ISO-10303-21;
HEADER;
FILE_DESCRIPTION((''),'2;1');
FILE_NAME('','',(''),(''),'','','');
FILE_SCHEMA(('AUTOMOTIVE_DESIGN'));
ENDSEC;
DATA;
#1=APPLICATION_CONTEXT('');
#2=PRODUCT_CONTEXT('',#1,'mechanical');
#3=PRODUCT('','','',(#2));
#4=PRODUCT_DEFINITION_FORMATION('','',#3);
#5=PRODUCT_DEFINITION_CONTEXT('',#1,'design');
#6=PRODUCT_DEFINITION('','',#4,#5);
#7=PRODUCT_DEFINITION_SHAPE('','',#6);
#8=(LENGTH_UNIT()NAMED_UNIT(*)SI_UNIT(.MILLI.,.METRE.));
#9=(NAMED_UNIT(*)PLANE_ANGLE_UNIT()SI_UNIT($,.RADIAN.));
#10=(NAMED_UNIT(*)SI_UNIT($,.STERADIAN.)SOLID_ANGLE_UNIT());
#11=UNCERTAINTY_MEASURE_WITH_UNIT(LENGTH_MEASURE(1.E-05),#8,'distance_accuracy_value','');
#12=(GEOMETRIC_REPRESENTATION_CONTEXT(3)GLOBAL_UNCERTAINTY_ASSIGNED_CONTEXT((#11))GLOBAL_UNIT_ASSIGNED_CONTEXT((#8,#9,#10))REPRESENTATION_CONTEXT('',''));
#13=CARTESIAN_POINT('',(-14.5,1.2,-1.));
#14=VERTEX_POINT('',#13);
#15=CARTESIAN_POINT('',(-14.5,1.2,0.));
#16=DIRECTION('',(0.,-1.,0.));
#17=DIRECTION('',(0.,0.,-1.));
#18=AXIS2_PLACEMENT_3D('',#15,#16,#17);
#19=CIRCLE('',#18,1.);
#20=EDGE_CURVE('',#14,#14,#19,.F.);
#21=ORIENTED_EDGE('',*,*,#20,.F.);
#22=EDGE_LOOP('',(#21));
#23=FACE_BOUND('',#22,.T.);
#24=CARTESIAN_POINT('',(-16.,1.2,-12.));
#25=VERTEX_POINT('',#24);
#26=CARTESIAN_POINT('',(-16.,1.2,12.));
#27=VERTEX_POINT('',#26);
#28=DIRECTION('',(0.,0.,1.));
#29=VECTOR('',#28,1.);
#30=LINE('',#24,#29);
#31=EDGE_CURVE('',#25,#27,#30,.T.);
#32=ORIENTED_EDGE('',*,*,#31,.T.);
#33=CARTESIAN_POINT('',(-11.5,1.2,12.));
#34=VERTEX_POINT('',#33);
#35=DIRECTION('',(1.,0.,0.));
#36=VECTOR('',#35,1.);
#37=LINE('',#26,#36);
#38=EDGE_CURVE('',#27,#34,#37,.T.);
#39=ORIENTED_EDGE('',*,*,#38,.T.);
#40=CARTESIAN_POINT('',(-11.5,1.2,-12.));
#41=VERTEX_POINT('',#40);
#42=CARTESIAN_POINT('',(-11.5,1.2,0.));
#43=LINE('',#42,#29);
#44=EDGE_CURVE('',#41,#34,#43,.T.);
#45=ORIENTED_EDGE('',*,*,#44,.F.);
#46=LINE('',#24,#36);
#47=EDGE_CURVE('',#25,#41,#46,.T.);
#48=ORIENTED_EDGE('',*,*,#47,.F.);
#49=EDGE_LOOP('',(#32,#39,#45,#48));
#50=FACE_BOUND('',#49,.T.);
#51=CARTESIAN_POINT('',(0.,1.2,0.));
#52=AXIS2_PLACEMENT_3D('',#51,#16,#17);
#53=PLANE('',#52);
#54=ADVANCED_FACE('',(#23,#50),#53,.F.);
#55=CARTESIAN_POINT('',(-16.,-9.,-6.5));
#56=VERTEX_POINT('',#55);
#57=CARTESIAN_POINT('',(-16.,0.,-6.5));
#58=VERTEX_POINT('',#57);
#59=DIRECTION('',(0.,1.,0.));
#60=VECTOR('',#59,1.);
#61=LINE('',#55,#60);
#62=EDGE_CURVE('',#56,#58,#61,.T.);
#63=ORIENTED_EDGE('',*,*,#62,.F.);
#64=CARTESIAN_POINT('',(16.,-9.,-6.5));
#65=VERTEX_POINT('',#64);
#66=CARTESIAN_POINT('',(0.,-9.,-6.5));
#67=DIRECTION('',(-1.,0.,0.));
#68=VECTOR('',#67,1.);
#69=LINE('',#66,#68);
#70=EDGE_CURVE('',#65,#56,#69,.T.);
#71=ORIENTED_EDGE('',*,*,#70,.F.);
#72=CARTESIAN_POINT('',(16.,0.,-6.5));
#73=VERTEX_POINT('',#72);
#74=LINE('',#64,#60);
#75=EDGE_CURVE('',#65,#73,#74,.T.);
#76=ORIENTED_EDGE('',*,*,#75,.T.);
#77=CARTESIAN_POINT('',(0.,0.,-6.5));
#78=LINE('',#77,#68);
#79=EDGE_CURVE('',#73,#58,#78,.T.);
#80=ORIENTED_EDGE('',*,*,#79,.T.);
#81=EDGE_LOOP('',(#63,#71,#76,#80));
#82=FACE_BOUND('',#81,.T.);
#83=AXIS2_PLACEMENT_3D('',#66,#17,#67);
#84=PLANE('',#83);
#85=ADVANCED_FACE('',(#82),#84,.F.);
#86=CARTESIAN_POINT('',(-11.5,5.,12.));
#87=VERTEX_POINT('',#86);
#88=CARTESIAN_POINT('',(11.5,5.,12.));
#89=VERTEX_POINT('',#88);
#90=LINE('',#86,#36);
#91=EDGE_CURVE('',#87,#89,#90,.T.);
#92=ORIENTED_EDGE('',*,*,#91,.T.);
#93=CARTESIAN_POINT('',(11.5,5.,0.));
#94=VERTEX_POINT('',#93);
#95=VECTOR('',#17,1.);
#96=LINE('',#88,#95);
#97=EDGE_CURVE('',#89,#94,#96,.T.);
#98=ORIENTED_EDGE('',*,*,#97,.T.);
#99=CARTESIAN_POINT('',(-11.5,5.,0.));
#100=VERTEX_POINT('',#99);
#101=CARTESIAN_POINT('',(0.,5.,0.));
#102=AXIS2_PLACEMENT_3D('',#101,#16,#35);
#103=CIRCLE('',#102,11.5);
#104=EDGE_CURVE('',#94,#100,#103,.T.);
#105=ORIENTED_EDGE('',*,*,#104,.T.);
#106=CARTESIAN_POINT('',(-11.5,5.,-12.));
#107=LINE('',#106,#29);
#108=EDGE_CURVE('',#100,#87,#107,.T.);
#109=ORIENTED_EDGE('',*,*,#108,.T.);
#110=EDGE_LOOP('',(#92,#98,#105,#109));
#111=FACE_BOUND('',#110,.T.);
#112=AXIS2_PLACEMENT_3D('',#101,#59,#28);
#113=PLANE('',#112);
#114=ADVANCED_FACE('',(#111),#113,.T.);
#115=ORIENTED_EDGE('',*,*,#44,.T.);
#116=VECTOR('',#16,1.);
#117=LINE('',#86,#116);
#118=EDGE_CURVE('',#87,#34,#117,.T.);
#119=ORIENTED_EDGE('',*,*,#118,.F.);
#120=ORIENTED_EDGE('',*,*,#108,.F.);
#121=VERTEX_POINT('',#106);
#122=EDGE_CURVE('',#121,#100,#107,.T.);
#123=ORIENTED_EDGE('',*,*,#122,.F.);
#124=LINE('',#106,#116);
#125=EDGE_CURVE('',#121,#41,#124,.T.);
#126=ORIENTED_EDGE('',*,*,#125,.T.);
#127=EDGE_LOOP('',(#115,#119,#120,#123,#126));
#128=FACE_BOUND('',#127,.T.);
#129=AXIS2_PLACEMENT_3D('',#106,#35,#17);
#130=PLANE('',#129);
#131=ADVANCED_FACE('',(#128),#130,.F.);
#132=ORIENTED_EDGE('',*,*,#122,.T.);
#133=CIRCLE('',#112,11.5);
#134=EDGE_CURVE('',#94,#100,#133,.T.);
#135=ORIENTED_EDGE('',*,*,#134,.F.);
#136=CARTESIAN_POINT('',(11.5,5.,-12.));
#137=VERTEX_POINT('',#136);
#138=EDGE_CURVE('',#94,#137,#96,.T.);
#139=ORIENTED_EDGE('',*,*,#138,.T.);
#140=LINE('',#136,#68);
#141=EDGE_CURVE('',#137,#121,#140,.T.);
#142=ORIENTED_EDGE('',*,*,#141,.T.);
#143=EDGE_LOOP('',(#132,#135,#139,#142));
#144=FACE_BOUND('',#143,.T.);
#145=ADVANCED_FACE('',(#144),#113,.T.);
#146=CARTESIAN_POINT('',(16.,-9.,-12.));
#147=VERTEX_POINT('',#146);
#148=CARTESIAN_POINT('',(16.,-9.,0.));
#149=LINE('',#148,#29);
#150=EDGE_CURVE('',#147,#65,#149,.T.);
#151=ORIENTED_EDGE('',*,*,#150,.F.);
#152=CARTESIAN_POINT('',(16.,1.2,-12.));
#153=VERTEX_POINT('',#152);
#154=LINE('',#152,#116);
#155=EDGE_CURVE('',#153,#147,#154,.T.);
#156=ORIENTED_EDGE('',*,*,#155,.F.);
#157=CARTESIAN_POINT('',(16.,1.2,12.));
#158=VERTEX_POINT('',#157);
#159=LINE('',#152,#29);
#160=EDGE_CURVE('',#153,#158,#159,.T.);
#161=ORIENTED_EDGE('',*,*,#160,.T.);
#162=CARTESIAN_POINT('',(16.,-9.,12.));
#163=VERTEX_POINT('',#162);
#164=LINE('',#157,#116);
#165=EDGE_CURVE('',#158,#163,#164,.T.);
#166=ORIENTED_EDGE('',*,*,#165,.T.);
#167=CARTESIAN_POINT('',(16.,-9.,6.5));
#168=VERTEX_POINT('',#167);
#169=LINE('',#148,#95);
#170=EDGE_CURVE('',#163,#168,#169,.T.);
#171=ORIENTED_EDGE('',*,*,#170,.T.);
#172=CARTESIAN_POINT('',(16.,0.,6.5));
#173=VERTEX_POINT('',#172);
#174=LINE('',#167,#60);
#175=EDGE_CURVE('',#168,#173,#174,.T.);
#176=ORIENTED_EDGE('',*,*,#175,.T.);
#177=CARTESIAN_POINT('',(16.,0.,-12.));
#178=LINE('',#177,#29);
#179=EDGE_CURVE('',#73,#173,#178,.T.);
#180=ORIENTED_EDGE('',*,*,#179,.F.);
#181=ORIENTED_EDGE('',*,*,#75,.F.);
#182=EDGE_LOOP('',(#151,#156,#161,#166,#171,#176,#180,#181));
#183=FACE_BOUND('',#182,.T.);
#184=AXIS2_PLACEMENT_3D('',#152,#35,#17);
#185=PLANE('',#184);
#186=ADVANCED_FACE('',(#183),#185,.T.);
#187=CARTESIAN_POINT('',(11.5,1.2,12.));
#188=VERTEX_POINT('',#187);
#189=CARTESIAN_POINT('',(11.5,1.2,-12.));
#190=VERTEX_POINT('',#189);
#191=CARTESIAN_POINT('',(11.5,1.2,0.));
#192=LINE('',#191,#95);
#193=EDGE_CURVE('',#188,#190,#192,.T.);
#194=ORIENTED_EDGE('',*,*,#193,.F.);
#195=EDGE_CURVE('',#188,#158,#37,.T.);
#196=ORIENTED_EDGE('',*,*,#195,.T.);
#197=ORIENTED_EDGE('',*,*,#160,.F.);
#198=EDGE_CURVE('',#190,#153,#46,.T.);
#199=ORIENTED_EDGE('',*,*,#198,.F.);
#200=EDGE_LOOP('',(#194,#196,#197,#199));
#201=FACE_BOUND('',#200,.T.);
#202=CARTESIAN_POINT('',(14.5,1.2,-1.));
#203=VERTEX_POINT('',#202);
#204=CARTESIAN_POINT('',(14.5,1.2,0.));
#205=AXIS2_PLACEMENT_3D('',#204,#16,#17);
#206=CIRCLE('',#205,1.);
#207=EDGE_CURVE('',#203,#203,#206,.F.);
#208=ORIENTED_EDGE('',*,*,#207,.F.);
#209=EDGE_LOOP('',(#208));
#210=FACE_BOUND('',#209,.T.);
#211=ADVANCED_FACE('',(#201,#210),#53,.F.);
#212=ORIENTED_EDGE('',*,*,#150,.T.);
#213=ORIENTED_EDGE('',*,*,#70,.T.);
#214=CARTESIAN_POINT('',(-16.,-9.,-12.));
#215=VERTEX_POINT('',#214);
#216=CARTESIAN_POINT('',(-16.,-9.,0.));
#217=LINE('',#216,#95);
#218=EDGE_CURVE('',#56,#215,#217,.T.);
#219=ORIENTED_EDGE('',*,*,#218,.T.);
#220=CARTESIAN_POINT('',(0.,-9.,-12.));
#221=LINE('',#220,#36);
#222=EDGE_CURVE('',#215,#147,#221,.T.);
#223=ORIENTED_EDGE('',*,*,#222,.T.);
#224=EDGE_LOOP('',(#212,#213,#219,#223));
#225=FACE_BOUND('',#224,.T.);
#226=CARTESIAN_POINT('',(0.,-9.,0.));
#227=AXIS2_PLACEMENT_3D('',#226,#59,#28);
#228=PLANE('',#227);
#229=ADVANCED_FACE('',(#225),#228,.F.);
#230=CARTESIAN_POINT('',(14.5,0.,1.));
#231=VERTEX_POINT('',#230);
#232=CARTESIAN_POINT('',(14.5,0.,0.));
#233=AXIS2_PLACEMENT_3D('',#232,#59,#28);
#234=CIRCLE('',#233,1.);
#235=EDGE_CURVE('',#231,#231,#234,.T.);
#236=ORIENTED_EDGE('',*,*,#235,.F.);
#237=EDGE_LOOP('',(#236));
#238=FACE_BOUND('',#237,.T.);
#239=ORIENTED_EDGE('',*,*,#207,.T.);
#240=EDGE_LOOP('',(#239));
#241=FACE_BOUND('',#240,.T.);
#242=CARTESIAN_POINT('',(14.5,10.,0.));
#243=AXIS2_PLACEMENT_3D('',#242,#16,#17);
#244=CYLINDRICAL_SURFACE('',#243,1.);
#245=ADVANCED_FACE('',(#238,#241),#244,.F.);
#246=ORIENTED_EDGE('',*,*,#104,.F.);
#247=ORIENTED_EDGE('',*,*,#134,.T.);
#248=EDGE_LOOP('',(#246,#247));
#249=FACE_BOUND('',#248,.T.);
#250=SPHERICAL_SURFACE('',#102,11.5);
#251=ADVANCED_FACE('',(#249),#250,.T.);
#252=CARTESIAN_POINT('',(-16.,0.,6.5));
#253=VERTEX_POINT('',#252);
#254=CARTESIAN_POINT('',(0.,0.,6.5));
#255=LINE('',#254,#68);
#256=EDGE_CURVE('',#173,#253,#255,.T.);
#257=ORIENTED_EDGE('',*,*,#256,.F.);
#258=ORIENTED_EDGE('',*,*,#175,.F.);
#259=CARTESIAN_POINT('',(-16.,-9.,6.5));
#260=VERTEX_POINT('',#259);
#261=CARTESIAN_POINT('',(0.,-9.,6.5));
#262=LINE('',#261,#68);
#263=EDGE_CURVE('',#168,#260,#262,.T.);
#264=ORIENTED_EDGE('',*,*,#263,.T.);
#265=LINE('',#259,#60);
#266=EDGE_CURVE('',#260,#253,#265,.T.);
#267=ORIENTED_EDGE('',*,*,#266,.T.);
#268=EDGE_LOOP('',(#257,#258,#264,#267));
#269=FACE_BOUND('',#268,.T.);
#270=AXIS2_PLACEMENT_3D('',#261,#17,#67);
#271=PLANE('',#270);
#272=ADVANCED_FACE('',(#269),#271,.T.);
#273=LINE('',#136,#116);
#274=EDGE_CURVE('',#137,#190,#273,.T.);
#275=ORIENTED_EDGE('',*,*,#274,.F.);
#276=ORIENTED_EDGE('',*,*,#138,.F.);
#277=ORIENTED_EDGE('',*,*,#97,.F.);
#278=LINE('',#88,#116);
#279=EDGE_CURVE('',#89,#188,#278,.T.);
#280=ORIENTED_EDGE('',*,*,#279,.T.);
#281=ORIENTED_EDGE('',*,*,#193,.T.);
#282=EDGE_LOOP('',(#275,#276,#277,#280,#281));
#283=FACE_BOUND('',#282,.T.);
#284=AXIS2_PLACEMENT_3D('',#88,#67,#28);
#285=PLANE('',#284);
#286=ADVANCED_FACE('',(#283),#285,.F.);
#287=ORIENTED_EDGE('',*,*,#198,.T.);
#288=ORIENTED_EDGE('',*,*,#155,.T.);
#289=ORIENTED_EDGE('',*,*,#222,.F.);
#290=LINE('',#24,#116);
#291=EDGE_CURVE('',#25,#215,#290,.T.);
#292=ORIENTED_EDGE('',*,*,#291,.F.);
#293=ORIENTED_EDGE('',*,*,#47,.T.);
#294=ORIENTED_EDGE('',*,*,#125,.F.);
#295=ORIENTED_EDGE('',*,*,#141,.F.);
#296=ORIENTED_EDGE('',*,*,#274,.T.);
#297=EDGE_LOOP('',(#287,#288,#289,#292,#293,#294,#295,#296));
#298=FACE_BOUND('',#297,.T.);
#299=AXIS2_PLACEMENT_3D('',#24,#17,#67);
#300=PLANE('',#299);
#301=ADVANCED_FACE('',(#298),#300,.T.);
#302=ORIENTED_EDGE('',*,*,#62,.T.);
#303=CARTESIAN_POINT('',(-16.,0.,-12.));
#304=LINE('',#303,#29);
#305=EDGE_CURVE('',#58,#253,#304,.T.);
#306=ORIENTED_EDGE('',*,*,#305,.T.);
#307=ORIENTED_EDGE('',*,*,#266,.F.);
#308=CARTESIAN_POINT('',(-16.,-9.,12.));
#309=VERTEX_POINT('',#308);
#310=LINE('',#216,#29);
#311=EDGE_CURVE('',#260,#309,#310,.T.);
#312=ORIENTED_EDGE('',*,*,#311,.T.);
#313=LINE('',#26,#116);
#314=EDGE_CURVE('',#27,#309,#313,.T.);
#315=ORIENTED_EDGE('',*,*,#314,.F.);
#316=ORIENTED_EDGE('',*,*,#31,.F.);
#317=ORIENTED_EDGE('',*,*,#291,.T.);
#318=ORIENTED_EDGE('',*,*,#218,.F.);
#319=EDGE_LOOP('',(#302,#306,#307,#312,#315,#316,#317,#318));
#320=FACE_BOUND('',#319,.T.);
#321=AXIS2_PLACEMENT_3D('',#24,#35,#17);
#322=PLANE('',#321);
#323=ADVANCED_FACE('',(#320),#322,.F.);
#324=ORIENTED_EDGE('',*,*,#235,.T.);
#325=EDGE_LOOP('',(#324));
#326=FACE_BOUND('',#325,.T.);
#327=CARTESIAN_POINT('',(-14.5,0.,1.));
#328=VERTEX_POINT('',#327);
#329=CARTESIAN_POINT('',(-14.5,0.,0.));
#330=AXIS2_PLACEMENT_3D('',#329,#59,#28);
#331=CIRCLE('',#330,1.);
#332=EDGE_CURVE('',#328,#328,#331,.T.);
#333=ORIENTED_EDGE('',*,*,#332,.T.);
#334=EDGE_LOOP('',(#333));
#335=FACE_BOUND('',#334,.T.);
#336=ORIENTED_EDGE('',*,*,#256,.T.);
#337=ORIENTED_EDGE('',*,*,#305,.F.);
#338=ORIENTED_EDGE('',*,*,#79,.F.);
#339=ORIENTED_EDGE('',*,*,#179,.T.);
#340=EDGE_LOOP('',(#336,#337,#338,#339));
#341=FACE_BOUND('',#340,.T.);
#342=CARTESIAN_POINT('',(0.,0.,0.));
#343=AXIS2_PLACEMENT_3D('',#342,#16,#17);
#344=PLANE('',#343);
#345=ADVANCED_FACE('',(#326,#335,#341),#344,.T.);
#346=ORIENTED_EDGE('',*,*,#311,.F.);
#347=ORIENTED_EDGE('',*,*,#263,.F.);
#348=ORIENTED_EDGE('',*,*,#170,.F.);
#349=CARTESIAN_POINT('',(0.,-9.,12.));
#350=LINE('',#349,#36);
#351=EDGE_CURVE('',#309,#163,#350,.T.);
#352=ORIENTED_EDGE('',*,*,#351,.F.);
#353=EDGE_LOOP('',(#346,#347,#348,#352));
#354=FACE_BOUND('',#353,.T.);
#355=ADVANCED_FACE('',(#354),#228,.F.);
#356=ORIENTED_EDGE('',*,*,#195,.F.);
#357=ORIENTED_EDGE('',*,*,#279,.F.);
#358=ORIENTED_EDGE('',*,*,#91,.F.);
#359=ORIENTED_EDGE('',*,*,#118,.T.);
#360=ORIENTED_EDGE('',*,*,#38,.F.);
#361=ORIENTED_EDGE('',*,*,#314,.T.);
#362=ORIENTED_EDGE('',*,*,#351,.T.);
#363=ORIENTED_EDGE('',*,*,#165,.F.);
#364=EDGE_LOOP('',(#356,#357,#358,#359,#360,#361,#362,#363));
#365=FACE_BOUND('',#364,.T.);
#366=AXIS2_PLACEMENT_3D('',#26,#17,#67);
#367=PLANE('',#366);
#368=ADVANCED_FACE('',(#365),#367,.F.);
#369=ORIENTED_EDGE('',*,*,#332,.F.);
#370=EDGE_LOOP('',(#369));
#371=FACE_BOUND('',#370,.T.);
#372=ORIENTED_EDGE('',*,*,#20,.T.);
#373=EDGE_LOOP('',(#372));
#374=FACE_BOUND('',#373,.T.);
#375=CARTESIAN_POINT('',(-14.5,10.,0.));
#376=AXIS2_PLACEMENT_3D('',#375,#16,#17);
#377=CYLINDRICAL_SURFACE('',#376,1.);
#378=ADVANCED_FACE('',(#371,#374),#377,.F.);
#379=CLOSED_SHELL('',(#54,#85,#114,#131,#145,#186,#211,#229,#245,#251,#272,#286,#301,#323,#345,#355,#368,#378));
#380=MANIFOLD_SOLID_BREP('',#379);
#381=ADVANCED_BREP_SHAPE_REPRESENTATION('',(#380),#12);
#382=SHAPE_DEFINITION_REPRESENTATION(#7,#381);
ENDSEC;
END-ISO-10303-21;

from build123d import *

# Parameters (mm, degrees)
SKETCH_1_W          = 32
SKETCH_1_H          = 24
EXTRUDE_1_DEPTH     = 1.2
SKETCH_2_W          = 23
SKETCH_2_H          = 24
EXTRUDE_2_DEPTH     = 5
SKETCH_6_W          = 32
SKETCH_6_H          = 5.5
EXTRUDE_5_DEPTH     = 9
SKETCH_8_R          = 1
CUT_EXTRUDE_7_DEPTH = 10


with BuildPart() as part:
    # 草图1 → 凸台-拉伸1 (new body)
    with BuildSketch(Plane(origin=(0, 0, 0), x_dir=(1, 0, 0), z_dir=(0, 1, 0))):
        Rectangle(SKETCH_1_W, SKETCH_1_H)
    extrude(amount=EXTRUDE_1_DEPTH)

    # 草图2 → 凸台-拉伸2 (add)
    with BuildSketch(Plane(origin=(0, 0, 0), x_dir=(1, 0, 0), z_dir=(0, 1, 0))):
        Rectangle(SKETCH_2_W, SKETCH_2_H)
    extrude(amount=EXTRUDE_2_DEPTH)

    # 草图5 → 旋转5 (revolve)
    with BuildSketch(Plane.XY):
        with BuildLine():
            Line((0, 5), (11.5, 5))
            ThreePointArc((11.5, 5), (8.131727984, 13.131727984), (0, 16.5))
            Line((0, 16.5), (0, 5))
        make_face()
    revolve(axis=Axis((0, 5, 0), (0, 1, 0)))

    # 草图6 → 凸台-拉伸5 (add)
    with BuildSketch(Plane(origin=(0, 0, 0), x_dir=(1, 0, 0), z_dir=(0, 1, 0))):
        with Locations((0, 9.25)):
            Rectangle(SKETCH_6_W, SKETCH_6_H)
        with Locations((0, -9.25)):
            Rectangle(SKETCH_6_W, SKETCH_6_H)
    extrude(amount=-EXTRUDE_5_DEPTH)

    # 草图8 → 切除-拉伸7 (cut)
    with BuildSketch(Plane(origin=(0, 0, 0), x_dir=(1, 0, 0), z_dir=(0, 1, 0))):
        with Locations((14.5, 0)):
            Circle(SKETCH_8_R)
        with Locations((-14.5, 0)):
            Circle(SKETCH_8_R)
    extrude(amount=CUT_EXTRUDE_7_DEPTH, mode=Mode.SUBTRACT)


solid = part.part
